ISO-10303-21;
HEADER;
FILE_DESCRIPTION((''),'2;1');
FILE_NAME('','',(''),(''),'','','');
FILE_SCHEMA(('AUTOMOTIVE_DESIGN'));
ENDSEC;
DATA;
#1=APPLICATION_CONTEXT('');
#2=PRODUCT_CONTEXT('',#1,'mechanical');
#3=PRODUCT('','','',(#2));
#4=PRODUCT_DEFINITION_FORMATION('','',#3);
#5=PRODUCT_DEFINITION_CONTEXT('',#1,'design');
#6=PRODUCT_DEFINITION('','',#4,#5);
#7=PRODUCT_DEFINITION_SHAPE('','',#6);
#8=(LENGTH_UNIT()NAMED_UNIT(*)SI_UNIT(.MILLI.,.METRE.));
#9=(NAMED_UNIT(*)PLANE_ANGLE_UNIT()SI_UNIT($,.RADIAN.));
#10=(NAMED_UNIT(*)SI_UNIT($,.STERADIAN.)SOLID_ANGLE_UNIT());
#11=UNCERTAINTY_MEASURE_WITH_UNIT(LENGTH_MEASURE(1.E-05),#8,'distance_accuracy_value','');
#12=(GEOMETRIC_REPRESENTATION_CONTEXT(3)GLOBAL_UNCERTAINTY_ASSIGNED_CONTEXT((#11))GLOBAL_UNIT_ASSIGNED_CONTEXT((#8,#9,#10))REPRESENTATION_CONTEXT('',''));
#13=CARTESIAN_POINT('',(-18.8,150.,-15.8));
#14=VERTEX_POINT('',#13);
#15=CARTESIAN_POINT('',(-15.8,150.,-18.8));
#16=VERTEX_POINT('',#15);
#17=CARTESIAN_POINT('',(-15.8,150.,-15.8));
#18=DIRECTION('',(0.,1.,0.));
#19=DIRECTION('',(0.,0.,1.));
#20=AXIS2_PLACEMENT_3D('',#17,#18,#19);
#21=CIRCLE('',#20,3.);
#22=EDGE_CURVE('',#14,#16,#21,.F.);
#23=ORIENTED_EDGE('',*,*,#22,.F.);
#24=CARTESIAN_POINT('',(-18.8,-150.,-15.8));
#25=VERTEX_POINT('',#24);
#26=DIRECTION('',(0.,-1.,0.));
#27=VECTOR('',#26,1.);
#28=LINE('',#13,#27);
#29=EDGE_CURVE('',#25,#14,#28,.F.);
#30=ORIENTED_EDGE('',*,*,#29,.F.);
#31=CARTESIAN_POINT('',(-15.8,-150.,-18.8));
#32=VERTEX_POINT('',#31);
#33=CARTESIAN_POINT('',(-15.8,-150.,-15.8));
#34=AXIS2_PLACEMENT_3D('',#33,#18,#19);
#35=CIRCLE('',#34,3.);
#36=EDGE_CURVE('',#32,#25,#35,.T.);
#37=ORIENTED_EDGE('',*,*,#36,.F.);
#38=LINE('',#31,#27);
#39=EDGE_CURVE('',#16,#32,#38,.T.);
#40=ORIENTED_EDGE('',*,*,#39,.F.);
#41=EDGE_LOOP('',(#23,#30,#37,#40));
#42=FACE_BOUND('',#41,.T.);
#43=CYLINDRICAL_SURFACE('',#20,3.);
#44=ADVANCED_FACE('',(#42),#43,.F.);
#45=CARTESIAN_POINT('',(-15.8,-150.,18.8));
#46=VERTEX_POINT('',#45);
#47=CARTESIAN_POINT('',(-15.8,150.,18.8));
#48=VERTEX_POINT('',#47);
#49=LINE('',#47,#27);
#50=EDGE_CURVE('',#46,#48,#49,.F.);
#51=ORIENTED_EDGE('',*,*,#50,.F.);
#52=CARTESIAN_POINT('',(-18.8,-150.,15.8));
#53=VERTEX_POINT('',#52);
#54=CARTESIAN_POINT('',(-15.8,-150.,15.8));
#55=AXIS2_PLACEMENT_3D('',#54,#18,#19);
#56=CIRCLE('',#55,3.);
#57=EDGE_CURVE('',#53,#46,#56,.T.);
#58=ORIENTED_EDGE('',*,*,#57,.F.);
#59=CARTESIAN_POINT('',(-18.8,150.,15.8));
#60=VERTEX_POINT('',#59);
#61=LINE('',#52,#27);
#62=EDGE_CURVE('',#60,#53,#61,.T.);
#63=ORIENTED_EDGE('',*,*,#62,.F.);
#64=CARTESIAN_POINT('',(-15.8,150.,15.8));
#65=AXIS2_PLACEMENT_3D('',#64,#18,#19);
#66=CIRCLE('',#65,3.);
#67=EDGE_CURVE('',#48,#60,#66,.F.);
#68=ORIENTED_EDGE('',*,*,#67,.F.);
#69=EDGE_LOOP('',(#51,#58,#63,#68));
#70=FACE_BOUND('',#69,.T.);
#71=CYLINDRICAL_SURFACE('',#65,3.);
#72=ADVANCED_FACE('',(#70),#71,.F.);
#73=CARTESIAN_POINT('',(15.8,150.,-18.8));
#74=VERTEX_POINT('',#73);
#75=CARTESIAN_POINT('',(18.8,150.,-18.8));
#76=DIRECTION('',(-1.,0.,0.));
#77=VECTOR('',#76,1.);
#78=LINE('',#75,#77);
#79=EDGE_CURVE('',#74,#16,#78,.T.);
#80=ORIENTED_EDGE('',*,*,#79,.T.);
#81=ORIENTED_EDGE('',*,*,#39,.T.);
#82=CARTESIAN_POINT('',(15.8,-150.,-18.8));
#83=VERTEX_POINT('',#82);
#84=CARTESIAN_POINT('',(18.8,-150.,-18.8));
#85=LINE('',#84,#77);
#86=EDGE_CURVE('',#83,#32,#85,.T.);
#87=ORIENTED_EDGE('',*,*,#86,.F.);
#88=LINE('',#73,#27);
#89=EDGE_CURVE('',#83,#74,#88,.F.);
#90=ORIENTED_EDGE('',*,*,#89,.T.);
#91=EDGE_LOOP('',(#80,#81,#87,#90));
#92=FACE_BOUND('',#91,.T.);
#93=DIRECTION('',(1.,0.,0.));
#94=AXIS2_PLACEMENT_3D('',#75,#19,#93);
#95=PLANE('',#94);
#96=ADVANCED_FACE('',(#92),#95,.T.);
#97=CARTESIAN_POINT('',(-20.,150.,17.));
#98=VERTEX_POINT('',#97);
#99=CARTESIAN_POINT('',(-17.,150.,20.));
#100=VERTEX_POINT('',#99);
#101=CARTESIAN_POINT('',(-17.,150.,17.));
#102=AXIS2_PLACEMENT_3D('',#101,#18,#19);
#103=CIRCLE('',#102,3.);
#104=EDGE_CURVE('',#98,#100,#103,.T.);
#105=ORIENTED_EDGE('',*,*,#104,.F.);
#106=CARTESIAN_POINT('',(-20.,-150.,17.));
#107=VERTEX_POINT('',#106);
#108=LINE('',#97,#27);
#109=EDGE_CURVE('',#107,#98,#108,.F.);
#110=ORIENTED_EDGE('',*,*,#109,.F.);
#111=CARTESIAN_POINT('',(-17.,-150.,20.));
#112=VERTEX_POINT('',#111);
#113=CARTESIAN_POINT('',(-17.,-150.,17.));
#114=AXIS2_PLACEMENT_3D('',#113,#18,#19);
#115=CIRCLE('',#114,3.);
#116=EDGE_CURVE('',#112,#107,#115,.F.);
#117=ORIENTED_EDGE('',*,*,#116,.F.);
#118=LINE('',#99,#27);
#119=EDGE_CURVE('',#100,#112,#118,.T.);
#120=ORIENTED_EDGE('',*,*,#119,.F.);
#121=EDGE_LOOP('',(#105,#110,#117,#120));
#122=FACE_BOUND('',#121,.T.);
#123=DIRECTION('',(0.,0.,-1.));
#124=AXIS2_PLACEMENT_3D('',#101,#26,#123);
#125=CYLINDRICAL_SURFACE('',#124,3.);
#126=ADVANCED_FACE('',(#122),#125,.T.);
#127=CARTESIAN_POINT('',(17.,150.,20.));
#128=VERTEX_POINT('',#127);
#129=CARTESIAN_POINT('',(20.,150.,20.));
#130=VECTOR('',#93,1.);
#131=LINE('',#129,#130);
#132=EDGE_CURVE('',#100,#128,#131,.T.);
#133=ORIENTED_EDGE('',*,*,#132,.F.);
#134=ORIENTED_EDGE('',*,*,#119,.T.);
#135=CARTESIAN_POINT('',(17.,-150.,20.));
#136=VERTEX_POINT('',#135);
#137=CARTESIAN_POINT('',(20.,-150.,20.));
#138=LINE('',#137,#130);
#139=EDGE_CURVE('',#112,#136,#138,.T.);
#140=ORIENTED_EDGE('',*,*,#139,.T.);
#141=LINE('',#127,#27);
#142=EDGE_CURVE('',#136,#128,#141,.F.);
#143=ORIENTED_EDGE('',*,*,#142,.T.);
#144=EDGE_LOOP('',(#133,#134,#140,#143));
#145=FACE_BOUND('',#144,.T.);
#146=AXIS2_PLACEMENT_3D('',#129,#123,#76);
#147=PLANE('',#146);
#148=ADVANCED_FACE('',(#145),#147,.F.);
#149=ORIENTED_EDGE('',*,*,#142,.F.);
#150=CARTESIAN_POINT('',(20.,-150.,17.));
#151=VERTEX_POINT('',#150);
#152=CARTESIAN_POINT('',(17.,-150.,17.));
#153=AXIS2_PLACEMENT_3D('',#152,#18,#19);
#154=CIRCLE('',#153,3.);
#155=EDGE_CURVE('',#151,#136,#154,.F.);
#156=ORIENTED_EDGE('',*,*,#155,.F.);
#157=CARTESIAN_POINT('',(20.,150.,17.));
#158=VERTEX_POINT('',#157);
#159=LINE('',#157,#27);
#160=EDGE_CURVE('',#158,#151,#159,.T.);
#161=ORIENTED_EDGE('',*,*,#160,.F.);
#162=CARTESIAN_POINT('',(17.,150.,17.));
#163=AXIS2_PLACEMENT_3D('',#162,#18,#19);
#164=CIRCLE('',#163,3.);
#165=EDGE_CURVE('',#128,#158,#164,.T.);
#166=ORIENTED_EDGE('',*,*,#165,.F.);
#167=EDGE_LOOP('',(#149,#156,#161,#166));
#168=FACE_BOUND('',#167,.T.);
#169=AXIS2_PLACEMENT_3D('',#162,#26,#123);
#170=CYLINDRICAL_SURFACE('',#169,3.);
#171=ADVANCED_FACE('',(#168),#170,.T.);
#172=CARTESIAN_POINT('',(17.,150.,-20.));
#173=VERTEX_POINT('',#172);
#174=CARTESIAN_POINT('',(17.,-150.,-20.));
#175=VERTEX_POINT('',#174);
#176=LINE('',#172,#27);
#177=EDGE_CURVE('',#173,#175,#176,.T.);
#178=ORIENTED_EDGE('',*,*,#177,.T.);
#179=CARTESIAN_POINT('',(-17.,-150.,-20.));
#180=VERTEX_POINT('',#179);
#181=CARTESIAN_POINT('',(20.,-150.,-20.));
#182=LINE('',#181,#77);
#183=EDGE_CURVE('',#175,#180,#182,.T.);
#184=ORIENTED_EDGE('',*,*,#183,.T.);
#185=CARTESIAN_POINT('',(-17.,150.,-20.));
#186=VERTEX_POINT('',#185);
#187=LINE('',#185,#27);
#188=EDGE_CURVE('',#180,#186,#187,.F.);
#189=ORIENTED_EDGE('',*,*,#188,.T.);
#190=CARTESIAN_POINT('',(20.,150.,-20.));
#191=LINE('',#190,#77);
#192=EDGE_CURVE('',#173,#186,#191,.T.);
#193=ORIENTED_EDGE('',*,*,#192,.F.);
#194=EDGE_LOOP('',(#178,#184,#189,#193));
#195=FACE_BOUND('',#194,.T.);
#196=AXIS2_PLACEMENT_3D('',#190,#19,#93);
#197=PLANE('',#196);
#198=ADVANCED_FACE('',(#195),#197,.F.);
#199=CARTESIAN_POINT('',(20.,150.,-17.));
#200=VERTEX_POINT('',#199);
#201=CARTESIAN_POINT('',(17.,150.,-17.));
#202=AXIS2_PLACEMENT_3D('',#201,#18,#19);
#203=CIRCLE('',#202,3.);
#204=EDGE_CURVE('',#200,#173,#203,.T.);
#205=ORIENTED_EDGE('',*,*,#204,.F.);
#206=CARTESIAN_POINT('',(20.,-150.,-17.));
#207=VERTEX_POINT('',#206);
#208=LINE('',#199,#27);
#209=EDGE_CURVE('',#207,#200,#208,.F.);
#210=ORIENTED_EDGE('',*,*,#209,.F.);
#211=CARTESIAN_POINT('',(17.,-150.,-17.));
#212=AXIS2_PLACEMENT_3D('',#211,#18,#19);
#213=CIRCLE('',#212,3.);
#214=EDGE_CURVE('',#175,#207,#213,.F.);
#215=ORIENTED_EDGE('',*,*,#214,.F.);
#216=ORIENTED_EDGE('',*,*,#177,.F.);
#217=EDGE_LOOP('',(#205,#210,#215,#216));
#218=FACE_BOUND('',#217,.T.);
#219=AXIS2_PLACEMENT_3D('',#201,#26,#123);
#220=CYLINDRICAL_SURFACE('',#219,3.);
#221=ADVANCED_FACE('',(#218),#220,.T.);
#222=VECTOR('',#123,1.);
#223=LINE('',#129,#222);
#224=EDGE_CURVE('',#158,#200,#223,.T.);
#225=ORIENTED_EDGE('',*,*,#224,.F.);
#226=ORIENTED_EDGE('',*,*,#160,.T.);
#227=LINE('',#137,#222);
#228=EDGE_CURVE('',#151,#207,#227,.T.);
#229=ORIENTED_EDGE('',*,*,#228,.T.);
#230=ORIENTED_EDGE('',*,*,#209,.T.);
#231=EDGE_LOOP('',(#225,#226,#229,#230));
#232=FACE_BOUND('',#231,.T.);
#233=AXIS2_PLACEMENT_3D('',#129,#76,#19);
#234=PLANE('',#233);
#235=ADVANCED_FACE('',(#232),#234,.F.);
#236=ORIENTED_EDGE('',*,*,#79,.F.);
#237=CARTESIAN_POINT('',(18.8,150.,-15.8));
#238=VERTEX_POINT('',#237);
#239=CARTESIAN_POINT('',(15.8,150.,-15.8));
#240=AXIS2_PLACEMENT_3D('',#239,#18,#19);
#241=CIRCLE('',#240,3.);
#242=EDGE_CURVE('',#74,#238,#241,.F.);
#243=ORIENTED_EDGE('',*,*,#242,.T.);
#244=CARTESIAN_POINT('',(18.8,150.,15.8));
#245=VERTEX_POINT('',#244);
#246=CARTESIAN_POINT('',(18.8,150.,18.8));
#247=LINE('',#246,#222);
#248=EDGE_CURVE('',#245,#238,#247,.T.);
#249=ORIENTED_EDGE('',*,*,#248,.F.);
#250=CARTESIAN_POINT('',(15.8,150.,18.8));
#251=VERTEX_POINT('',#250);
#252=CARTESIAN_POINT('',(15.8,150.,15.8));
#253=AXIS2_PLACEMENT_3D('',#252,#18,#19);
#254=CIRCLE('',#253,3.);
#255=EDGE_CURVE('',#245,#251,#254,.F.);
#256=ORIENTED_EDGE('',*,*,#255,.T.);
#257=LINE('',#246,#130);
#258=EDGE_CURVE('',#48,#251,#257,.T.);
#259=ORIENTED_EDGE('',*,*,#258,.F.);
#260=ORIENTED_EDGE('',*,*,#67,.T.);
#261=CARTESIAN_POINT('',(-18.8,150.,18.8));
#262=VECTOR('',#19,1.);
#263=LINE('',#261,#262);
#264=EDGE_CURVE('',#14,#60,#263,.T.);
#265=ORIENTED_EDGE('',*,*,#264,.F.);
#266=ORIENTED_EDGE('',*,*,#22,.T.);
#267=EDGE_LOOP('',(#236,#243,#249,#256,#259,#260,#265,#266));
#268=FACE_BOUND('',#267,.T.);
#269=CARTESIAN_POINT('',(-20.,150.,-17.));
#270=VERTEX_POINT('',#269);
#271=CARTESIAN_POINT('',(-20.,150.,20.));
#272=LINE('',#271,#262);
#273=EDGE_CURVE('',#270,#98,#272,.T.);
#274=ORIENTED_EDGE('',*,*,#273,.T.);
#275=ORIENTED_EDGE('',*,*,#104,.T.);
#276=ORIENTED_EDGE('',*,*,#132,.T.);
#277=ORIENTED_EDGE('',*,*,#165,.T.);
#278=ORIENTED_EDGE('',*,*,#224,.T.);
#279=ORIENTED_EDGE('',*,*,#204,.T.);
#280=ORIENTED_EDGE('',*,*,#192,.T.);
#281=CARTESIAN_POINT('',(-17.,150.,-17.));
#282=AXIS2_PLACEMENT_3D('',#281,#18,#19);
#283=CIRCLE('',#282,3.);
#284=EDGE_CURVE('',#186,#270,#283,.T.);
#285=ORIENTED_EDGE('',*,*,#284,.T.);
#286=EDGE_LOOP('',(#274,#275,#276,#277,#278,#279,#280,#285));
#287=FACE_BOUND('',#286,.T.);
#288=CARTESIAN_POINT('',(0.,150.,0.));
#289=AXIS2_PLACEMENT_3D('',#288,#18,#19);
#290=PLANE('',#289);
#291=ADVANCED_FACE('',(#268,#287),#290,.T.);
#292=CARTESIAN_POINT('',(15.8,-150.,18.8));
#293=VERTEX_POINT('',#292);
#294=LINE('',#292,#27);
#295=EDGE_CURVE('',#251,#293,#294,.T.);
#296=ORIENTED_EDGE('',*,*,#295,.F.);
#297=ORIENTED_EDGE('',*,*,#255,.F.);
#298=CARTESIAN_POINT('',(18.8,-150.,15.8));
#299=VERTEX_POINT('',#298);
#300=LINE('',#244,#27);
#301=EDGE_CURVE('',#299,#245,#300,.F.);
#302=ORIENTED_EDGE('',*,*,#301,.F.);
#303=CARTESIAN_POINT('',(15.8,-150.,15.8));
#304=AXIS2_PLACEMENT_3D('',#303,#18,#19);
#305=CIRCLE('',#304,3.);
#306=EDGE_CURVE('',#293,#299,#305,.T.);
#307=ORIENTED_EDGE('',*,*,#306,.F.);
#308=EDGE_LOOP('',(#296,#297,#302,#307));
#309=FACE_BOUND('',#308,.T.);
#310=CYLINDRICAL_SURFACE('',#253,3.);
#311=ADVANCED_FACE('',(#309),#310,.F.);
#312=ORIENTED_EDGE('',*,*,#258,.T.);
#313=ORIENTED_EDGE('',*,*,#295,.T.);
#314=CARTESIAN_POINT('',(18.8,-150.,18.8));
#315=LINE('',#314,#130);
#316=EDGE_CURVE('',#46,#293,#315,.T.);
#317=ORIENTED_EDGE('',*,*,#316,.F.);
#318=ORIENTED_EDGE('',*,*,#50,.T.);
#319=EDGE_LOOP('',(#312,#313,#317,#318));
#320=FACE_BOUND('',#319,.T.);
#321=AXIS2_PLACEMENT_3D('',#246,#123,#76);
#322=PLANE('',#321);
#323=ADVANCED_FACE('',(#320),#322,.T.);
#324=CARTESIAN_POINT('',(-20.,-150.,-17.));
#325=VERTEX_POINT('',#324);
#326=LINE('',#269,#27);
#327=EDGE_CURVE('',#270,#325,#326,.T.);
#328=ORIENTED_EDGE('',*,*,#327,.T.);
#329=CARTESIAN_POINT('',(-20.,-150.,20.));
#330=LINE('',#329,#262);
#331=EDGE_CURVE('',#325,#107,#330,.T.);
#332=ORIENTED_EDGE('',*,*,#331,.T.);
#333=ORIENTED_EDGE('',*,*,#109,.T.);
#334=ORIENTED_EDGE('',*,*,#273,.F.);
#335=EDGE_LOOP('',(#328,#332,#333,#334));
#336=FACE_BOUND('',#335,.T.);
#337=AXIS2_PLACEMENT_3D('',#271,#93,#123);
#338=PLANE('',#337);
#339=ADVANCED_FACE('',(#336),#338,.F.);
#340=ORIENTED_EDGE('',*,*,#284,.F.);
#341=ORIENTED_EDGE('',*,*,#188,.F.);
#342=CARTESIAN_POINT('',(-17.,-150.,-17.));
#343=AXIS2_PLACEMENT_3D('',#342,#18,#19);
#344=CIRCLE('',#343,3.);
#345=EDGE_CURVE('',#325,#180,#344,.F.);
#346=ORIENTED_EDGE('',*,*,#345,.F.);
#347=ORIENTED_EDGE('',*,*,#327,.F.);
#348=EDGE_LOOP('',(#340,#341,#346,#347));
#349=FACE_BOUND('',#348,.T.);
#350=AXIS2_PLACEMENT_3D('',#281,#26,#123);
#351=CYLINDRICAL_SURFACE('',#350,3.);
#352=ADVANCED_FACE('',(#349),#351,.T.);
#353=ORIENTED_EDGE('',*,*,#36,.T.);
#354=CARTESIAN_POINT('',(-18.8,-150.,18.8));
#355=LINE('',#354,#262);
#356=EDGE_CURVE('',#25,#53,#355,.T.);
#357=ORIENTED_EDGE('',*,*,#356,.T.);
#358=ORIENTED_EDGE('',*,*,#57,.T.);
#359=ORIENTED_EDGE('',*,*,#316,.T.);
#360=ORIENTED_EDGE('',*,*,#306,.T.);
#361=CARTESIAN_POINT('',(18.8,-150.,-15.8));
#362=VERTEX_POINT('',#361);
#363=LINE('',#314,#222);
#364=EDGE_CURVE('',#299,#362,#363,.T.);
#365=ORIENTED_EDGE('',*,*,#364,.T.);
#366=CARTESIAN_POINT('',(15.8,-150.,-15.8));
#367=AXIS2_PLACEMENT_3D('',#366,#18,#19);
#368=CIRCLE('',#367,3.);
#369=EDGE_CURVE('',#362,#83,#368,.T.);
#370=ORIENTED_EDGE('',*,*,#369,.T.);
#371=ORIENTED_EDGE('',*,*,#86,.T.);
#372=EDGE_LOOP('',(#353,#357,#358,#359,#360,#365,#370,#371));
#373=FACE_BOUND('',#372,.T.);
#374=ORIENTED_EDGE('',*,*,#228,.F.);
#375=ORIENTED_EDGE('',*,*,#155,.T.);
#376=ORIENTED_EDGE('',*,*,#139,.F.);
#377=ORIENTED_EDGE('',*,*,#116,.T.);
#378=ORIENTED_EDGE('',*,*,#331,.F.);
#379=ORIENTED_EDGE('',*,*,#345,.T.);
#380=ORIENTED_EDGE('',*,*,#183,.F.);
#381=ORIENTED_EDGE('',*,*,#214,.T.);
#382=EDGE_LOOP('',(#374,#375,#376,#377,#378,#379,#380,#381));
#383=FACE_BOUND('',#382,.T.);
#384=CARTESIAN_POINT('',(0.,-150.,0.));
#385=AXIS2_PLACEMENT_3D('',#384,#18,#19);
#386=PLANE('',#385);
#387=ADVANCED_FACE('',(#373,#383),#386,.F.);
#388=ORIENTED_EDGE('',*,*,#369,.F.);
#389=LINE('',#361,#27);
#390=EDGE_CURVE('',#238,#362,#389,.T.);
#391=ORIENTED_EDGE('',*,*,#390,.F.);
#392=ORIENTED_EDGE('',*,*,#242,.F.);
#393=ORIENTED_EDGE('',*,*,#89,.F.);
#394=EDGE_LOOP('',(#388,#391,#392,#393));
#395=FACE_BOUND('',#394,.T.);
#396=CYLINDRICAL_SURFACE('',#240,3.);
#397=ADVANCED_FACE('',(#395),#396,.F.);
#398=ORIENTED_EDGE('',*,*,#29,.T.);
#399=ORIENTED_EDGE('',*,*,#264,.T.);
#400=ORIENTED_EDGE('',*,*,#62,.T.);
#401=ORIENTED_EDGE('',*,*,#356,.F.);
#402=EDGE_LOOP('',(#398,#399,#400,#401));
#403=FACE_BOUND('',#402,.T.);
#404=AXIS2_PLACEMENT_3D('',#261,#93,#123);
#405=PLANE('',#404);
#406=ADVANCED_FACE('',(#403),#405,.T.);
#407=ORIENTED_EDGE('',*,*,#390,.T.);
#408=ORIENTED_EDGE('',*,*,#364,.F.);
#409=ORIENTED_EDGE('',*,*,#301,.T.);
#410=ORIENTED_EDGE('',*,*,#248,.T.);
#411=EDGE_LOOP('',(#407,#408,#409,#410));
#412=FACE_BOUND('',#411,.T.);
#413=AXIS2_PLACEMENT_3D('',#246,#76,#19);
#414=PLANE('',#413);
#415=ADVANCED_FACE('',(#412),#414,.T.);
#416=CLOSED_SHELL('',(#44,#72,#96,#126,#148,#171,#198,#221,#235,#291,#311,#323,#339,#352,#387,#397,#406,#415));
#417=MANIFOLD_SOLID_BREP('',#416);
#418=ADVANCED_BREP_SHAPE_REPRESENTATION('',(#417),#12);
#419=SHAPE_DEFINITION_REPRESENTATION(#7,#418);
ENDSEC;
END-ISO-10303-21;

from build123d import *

# Parameters (mm, degrees)
ESBO_O1_W                = 40
ESBO_O1_H                = 40
ESBO_O1_W_2              = 37.6
ESBO_O1_H_2              = 37.6
RESSALTO_EXTRUS_O1_DEPTH = 150
FILETE1_R                = 3


with BuildPart() as part:
    # Esboço1 → Ressalto-extrusão1 (new, symmetric)
    with BuildSketch(Plane(origin=(0, 0, 0), x_dir=(1, 0, 0), z_dir=(0, 1, 0))):
        Rectangle(ESBO_O1_W, ESBO_O1_H)
        Rectangle(ESBO_O1_W_2, ESBO_O1_H_2, mode=Mode.SUBTRACT)
    extrude(amount=RESSALTO_EXTRUS_O1_DEPTH, both=True)

    # Filete1
    filete1_edges = [part.edges().sort_by_distance(p)[0] for p in [
        (-18.8, 0, 18.8),
        (18.8, 0, 18.8),
        (18.8, 0, -18.8),
        (-18.8, 0, -18.8),
        (-20, 0, -20),
        (20, 0, -20),
        (20, 0, 20),
        (-20, 0, 20),
    ]]
    fillet(filete1_edges, radius=FILETE1_R)


solid = part.part
